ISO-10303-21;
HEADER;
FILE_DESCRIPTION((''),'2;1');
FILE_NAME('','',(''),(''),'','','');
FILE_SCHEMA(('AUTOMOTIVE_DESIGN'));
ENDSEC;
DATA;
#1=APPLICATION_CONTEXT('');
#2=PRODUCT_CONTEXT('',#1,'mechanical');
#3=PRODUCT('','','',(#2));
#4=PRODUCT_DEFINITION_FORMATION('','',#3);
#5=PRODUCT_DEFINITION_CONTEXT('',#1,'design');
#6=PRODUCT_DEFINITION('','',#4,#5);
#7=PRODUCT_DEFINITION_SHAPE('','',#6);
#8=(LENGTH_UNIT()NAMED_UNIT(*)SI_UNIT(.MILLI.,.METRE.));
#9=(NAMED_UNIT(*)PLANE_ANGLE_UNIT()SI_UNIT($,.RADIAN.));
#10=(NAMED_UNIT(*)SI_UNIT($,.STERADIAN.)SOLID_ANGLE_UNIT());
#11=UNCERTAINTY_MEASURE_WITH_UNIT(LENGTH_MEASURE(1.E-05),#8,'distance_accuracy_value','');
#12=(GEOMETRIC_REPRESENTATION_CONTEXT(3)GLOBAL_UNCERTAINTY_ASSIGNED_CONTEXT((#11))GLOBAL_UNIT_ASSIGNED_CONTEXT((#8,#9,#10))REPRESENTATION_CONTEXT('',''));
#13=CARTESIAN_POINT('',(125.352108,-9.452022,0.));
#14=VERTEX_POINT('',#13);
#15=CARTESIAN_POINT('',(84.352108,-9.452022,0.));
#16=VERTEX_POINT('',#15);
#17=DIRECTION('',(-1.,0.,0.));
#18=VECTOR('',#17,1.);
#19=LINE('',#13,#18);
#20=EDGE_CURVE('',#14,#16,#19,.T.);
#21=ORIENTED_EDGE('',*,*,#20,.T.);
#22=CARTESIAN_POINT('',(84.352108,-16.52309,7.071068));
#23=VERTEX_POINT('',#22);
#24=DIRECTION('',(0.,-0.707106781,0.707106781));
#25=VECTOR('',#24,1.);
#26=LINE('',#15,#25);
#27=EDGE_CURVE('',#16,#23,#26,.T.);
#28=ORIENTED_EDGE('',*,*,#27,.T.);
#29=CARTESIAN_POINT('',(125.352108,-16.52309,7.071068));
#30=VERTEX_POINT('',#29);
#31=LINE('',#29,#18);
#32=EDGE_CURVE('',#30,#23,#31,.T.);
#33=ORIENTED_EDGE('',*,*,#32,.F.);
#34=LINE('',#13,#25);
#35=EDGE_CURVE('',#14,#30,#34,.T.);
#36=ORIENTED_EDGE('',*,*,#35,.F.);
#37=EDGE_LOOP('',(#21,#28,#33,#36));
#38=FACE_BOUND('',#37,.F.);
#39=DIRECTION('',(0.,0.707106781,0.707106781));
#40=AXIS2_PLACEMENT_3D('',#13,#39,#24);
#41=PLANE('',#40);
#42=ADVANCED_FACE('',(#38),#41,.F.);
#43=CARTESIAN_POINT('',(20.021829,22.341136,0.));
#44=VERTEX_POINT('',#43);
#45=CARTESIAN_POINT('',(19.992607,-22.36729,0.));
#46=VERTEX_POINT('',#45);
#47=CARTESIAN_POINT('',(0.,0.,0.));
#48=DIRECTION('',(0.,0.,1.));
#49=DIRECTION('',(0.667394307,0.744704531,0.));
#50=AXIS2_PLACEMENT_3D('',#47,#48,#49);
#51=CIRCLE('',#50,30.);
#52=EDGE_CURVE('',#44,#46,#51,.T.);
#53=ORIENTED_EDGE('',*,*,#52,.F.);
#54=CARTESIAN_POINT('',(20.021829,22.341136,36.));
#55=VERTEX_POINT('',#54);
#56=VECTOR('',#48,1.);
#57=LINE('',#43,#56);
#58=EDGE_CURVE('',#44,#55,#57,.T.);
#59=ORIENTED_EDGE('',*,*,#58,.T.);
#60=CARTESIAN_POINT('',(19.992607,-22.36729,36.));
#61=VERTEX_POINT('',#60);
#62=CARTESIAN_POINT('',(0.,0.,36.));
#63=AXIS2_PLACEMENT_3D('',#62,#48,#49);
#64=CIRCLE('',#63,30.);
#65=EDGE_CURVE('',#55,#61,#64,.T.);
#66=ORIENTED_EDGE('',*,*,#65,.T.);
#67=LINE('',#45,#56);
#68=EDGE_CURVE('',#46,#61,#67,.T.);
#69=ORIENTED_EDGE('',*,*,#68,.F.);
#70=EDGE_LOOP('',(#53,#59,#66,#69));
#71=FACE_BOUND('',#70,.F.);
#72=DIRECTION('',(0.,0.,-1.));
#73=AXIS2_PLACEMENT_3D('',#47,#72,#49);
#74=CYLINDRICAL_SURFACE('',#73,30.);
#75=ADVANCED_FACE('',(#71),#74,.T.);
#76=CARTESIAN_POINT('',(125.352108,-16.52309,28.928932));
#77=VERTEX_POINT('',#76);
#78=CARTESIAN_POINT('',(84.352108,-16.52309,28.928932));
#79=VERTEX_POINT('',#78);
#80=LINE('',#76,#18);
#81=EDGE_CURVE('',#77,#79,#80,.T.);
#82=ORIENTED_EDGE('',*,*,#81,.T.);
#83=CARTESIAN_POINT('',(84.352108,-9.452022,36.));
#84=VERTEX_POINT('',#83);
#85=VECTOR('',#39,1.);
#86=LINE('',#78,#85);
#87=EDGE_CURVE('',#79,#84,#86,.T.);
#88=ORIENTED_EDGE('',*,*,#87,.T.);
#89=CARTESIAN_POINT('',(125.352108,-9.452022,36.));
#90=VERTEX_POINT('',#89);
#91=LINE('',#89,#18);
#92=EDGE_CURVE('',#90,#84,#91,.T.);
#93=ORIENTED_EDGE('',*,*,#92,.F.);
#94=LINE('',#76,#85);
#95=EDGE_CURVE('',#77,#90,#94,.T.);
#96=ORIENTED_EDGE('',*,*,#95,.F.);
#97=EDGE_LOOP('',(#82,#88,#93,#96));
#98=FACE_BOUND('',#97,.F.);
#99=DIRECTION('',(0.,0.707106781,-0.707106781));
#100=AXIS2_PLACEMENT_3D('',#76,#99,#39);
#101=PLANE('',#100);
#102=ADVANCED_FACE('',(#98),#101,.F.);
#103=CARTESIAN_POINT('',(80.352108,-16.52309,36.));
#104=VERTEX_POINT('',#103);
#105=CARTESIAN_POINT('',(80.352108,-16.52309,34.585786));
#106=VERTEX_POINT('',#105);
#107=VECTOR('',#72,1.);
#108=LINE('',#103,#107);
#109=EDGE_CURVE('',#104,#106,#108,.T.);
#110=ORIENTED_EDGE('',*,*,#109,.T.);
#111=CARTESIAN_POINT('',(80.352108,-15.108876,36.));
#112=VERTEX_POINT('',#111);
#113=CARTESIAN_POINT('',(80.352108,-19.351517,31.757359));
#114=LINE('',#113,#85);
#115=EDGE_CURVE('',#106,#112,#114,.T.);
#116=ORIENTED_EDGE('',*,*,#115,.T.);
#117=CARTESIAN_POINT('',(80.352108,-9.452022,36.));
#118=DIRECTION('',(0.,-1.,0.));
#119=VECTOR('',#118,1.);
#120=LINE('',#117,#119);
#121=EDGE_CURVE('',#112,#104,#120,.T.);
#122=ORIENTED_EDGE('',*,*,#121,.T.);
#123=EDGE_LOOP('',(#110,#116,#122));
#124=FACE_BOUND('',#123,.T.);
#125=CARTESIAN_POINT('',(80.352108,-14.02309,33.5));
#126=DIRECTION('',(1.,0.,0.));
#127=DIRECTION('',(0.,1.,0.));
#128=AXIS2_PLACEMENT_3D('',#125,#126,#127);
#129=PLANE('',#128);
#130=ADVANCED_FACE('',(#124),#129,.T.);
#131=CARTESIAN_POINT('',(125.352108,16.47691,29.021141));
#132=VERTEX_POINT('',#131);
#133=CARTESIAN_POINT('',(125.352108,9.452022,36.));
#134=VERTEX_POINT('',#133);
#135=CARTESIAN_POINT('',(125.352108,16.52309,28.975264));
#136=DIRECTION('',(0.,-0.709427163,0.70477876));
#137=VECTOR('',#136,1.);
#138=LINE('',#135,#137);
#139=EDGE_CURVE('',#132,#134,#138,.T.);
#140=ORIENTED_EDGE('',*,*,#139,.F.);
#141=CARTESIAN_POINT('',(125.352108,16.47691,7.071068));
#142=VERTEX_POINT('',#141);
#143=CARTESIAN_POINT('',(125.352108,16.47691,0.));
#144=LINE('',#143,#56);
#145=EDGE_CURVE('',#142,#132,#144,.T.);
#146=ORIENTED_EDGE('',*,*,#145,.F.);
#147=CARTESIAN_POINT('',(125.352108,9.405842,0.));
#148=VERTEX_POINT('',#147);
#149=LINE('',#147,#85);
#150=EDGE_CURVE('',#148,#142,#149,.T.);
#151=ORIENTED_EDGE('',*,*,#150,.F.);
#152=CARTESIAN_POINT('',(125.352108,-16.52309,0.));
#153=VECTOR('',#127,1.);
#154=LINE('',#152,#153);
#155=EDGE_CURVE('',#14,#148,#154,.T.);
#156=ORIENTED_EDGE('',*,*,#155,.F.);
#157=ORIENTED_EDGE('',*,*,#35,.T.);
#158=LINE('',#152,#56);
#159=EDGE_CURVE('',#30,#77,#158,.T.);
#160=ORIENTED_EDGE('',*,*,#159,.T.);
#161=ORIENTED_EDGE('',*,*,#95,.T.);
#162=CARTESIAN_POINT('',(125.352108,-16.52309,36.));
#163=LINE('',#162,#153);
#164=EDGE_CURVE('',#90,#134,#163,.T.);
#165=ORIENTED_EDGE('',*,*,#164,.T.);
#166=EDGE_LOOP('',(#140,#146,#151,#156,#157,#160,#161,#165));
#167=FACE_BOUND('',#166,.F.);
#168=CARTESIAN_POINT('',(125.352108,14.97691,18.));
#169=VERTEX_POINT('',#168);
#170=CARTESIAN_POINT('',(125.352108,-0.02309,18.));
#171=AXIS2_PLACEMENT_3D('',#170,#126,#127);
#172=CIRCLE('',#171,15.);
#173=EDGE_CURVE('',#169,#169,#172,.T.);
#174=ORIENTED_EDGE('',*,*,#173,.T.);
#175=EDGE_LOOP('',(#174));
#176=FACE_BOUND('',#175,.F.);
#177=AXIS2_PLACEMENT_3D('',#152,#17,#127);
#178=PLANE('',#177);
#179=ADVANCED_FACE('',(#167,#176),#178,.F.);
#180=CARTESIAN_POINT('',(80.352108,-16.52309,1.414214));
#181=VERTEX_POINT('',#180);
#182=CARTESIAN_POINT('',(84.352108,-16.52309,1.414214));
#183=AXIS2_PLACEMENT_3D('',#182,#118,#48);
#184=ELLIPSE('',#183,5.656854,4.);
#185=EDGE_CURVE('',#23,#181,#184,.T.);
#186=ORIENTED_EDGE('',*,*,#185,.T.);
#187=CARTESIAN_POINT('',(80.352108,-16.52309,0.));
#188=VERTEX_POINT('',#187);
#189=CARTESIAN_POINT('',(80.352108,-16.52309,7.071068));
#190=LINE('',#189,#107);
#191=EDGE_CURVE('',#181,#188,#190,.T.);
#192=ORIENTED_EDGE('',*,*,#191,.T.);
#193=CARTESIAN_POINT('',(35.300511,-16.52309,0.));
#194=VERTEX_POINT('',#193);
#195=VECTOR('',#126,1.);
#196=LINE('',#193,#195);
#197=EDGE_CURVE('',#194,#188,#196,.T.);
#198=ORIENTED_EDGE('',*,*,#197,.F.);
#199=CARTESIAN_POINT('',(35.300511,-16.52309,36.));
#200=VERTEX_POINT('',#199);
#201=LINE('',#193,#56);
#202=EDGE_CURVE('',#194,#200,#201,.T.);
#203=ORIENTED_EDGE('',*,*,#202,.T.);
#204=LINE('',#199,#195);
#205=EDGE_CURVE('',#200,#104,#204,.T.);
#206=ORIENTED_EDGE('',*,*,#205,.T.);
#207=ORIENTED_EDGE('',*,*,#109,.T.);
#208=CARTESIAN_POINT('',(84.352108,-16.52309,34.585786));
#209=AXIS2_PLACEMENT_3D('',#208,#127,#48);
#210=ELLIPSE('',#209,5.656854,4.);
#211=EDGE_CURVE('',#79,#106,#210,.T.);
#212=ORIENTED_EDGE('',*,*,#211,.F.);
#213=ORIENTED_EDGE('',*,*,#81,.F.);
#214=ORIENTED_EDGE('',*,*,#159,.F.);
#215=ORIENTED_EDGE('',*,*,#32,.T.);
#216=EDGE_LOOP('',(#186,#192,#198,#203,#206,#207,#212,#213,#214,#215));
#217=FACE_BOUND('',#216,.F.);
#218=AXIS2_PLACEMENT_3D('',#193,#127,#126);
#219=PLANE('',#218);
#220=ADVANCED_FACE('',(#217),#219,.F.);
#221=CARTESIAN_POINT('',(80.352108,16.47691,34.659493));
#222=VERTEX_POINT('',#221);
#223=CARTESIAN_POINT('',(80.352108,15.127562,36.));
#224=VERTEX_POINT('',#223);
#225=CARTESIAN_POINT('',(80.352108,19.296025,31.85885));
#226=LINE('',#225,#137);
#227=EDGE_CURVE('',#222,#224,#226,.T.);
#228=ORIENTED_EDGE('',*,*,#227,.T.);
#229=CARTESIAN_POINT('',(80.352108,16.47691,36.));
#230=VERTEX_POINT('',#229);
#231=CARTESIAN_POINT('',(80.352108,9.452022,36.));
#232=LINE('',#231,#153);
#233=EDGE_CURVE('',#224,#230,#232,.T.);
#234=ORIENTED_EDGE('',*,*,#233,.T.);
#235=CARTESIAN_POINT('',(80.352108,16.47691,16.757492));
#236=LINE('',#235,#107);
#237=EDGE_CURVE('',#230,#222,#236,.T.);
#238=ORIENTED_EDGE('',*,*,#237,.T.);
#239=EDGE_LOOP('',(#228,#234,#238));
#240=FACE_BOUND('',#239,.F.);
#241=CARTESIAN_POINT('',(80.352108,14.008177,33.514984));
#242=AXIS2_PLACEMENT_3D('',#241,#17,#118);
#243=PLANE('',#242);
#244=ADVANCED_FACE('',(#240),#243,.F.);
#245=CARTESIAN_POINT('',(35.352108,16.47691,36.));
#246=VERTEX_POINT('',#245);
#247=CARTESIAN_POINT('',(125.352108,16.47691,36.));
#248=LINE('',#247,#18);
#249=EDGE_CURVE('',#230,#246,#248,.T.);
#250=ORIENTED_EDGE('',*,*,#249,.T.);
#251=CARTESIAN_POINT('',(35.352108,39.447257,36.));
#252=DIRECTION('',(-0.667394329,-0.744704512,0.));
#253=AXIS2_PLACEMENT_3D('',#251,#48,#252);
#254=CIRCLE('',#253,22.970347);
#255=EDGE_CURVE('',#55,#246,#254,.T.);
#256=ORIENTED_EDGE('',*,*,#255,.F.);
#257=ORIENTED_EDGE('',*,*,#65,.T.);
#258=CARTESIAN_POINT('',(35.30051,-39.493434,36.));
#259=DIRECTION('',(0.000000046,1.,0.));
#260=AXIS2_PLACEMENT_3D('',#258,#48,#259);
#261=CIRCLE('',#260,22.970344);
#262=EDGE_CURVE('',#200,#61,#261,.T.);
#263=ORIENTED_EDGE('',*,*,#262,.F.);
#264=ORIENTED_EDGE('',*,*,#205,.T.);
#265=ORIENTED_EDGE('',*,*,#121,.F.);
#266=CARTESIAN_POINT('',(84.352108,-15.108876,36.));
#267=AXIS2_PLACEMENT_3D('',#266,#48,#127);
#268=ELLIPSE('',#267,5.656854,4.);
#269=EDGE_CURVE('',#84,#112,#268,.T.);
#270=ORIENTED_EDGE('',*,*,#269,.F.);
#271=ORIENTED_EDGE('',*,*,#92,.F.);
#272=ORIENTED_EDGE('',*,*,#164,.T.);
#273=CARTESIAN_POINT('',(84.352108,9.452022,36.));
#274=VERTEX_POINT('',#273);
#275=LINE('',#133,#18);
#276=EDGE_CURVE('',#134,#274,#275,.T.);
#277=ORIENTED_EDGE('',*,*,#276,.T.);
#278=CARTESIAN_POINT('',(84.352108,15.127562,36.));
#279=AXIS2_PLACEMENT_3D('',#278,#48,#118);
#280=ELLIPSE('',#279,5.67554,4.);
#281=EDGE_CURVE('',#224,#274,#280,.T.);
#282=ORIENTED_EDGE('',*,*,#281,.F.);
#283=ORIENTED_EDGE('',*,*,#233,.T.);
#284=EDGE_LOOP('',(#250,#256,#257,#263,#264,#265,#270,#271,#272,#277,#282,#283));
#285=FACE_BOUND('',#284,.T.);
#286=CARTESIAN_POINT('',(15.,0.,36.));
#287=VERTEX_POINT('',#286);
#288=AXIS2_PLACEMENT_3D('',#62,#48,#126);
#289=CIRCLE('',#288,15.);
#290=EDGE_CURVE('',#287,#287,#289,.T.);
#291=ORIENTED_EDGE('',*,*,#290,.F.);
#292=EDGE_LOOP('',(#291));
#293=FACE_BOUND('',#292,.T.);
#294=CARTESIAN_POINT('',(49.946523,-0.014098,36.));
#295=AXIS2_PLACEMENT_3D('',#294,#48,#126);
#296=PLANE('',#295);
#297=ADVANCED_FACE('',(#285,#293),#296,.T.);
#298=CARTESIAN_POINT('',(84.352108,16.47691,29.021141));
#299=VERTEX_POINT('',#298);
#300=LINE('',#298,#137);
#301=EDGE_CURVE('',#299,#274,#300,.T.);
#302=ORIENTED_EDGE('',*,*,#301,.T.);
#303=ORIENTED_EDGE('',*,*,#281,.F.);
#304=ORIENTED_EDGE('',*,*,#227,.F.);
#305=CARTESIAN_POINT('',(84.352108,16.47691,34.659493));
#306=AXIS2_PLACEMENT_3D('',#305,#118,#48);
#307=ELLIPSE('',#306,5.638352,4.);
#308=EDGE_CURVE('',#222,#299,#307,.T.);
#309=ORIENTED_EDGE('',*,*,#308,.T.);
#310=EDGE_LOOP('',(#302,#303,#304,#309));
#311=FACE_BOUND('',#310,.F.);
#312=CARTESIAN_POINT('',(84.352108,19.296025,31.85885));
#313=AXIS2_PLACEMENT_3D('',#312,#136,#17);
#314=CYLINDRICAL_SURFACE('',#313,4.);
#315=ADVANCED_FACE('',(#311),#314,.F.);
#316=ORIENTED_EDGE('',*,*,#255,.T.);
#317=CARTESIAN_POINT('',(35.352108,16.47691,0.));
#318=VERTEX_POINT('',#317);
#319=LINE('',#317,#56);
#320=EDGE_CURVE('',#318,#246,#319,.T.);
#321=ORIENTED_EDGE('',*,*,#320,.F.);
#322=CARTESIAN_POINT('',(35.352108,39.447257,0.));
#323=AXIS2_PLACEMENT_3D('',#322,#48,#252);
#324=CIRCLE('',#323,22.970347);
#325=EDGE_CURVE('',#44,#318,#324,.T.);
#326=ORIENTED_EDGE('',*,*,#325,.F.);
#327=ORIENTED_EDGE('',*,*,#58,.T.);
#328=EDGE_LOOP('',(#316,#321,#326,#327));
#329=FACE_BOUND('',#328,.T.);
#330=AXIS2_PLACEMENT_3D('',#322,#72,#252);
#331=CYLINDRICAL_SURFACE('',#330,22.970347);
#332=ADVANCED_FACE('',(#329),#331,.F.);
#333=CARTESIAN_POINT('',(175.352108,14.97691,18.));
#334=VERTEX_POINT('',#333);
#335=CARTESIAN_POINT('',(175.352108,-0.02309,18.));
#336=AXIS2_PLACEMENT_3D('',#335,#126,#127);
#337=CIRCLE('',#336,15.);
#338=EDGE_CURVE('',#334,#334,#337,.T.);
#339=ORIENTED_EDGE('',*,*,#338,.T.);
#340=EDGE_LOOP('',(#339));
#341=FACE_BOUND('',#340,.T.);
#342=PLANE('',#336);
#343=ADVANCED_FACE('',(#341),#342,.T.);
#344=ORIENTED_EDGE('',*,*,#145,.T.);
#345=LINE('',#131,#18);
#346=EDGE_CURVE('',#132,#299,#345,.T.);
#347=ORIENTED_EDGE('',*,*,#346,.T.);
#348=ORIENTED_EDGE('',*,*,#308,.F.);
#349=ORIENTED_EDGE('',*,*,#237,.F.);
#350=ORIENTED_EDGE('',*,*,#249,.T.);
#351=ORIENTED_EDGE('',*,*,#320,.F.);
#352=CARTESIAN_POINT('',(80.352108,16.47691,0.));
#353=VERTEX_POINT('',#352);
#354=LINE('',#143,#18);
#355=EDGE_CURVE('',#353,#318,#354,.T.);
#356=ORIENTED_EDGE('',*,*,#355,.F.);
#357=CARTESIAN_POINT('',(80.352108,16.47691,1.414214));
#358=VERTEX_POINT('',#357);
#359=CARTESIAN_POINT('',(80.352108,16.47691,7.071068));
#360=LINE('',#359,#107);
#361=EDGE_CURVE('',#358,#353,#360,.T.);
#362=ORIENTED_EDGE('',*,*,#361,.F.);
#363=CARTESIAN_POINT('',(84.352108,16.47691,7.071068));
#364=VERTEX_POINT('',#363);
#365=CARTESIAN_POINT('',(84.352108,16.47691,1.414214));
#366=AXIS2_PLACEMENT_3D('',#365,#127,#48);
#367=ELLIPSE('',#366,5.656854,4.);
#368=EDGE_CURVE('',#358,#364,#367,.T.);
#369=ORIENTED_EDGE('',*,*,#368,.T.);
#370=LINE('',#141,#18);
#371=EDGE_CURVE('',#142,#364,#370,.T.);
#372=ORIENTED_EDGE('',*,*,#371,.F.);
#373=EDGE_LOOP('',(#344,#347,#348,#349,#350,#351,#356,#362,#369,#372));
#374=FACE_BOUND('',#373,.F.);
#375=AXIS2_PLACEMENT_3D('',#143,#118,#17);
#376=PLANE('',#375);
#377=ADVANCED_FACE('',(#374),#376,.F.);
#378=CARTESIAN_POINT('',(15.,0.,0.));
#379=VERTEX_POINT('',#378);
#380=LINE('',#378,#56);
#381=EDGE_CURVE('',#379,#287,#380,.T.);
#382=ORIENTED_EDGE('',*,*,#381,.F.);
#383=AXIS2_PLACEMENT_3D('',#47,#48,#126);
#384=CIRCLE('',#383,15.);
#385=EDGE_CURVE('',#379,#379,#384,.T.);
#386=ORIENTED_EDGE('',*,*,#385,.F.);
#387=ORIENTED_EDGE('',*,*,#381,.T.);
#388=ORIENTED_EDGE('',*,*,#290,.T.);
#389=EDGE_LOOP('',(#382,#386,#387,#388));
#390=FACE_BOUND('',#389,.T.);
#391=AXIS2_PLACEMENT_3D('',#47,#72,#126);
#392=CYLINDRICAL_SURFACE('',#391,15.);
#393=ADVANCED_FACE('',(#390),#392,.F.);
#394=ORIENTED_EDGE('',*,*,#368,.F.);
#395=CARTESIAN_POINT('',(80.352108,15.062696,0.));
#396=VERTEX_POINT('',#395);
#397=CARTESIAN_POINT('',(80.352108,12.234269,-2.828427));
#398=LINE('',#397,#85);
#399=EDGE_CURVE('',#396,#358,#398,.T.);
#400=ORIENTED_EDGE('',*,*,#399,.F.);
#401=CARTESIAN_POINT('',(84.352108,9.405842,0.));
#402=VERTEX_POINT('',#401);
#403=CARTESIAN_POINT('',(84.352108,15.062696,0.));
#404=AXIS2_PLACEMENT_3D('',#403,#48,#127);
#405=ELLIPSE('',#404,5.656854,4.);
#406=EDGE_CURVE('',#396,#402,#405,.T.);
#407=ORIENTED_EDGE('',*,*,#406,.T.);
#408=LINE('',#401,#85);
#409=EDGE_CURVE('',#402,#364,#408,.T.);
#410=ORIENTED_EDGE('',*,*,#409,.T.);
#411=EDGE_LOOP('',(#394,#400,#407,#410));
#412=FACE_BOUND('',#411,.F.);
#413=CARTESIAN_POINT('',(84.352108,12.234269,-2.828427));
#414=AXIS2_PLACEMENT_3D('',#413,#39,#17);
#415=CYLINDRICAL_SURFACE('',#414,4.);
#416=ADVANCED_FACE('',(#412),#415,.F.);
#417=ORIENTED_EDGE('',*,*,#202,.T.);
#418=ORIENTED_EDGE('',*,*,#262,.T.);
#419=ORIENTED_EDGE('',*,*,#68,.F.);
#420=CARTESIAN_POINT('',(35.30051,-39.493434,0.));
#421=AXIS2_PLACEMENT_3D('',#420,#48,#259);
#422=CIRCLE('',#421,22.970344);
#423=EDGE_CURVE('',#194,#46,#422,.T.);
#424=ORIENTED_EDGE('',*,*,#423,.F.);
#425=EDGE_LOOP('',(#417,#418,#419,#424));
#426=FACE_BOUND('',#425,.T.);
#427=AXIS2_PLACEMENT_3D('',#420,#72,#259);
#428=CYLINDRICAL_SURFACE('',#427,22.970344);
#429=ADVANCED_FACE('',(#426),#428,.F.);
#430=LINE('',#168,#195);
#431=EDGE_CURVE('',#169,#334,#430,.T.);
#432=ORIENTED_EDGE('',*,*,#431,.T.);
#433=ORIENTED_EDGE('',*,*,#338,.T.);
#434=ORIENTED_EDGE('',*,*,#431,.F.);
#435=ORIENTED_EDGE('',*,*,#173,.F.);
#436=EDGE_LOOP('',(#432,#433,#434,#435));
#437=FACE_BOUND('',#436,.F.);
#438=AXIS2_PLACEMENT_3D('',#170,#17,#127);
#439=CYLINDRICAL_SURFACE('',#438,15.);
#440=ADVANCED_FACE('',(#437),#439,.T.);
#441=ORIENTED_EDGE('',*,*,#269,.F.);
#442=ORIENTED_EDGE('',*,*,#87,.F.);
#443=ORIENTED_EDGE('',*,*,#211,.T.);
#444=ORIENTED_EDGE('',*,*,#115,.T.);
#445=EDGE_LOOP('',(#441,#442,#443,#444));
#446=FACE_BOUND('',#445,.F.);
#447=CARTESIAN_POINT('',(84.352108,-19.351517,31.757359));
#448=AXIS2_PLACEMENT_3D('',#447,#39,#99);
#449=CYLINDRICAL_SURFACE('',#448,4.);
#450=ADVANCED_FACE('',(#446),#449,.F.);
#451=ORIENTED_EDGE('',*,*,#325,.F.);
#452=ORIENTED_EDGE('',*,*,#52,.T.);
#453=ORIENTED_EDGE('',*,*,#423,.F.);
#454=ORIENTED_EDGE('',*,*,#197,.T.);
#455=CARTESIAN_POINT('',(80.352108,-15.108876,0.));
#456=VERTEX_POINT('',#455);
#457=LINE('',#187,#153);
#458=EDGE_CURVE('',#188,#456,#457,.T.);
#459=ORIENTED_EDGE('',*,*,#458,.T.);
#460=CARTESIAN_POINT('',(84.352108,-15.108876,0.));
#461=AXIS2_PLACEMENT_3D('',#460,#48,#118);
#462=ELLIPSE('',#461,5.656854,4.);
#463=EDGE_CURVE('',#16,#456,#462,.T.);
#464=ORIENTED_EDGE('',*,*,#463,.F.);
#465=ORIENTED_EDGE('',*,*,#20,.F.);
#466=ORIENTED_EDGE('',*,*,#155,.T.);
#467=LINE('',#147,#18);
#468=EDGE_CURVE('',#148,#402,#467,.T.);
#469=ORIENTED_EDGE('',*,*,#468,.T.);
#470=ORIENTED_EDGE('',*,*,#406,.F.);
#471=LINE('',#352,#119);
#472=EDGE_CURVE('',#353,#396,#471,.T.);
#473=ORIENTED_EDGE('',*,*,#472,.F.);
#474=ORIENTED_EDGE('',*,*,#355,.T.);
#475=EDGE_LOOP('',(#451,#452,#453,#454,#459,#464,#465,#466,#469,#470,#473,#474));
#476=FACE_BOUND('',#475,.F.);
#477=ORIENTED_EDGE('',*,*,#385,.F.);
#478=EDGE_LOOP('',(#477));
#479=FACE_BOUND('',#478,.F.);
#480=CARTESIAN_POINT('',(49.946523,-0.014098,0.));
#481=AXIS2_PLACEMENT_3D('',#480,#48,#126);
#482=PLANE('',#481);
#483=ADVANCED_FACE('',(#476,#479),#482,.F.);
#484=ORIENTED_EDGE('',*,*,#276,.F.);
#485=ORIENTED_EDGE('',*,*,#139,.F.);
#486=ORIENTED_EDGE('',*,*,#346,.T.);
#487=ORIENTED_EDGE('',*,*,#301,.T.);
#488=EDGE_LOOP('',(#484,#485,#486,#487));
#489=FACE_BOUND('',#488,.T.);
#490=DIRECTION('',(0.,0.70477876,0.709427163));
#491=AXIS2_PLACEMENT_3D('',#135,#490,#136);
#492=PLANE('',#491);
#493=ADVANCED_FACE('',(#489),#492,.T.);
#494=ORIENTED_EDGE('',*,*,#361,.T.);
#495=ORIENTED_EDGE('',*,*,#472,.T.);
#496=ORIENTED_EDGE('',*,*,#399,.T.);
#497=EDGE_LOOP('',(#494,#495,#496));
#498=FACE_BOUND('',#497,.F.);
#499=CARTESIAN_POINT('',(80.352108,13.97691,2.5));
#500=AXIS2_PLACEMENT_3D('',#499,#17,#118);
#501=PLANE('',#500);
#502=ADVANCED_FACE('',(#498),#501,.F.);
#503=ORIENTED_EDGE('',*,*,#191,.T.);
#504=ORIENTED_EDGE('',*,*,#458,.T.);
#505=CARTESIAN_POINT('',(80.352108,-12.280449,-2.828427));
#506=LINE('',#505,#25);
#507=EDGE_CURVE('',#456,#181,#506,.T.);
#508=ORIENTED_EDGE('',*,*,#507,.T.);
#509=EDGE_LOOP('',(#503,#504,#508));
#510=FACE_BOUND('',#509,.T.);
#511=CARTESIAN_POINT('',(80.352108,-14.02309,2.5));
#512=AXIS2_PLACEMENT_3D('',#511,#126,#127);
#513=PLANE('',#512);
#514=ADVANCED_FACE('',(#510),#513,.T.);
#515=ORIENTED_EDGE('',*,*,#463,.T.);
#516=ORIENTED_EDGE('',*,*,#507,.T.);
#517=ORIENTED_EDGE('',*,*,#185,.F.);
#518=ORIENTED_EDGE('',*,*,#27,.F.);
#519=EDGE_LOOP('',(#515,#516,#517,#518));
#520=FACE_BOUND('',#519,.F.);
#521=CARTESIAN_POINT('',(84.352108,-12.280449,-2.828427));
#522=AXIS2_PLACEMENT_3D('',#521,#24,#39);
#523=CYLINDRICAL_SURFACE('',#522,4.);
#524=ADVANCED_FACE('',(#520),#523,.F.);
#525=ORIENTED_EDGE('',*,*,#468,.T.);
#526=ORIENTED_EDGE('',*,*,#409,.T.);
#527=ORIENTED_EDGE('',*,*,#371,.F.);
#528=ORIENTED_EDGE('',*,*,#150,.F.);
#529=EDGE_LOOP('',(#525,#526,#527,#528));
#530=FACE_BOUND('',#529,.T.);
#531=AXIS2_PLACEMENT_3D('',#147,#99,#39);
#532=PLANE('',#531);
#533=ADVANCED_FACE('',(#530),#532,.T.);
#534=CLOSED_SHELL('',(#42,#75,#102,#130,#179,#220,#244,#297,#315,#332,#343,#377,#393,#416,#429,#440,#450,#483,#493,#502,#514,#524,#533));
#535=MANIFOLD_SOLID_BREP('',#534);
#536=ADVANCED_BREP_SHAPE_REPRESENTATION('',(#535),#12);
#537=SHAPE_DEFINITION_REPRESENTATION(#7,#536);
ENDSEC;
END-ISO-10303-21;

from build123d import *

# Parameters (mm, degrees)
SKETCH_R        = 15
PAD_DEPTH       = 36
SKETCH001_R     = 15
PAD001_DEPTH    = 50
POCKET002_DEPTH = 45
FILLET_R        = 4
FILLET001_R     = 4


with BuildPart() as part:
    # Sketch → Pad (new body)
    with BuildSketch(Plane.XY):
        with BuildLine():
            ThreePointArc((20.021829, 22.341136), (-29.999994, 0.019609), (19.992607, -22.36729))
            ThreePointArc((35.300511, -16.52309), (27.107731, -18.033819), (19.992607, -22.36729))
            Line((35.300511, -16.52309), (125.352108, -16.52309))
            Line((125.352108, -16.52309), (125.352108, 16.47691))
            Line((125.352108, 16.47691), (35.352108, 16.47691))
            ThreePointArc((20.021829, 22.341136), (27.145303, 17.992999), (35.352108, 16.47691))
        make_face()
        Circle(SKETCH_R, mode=Mode.SUBTRACT)
    extrude(amount=PAD_DEPTH)

    # Sketch001 (on Face2 of Pad) → Pad001 (join)
    with BuildSketch(Plane.YZ.offset(125.352108)):
        with Locations((-0.02309, 18)):
            Circle(SKETCH001_R)
    extrude(amount=PAD001_DEPTH)

    # Sketch008 (on Face3 of Pad001) → Pocket002 (cut)
    with BuildSketch(Plane.YZ.offset(125.352108)):
        Polygon((-16.52309, 36), (-16.52309, 28.928932), (-9.452022, 36), align=None)
        Polygon((-16.52309, 7.071068), (-16.52309, 0), (-9.452022, 0), align=None)
        Polygon((16.52309, 28.975264), (9.452022, 36), (16.47691, 36), align=None)
        Polygon((9.405842, 0), (16.47691, 7.071068), (16.47691, 0), align=None)
    extrude(amount=-POCKET002_DEPTH, mode=Mode.SUBTRACT)

    # Fillet
    fillet_edges = [part.edges().sort_by_distance(p)[0] for p in [
        (80.352108, 12.964466, 32.51057),
        (80.352108, 12.941376, 3.535534),
    ]]
    fillet(fillet_edges, radius=FILLET_R)

    # Fillet001
    fillet001_edges = [part.edges().sort_by_distance(p)[0] for p in [
        (80.352108, -12.987556, 3.535534),
        (80.352108, -12.987556, 32.464466),
    ]]
    fillet(fillet001_edges, radius=FILLET001_R)


solid = part.part
